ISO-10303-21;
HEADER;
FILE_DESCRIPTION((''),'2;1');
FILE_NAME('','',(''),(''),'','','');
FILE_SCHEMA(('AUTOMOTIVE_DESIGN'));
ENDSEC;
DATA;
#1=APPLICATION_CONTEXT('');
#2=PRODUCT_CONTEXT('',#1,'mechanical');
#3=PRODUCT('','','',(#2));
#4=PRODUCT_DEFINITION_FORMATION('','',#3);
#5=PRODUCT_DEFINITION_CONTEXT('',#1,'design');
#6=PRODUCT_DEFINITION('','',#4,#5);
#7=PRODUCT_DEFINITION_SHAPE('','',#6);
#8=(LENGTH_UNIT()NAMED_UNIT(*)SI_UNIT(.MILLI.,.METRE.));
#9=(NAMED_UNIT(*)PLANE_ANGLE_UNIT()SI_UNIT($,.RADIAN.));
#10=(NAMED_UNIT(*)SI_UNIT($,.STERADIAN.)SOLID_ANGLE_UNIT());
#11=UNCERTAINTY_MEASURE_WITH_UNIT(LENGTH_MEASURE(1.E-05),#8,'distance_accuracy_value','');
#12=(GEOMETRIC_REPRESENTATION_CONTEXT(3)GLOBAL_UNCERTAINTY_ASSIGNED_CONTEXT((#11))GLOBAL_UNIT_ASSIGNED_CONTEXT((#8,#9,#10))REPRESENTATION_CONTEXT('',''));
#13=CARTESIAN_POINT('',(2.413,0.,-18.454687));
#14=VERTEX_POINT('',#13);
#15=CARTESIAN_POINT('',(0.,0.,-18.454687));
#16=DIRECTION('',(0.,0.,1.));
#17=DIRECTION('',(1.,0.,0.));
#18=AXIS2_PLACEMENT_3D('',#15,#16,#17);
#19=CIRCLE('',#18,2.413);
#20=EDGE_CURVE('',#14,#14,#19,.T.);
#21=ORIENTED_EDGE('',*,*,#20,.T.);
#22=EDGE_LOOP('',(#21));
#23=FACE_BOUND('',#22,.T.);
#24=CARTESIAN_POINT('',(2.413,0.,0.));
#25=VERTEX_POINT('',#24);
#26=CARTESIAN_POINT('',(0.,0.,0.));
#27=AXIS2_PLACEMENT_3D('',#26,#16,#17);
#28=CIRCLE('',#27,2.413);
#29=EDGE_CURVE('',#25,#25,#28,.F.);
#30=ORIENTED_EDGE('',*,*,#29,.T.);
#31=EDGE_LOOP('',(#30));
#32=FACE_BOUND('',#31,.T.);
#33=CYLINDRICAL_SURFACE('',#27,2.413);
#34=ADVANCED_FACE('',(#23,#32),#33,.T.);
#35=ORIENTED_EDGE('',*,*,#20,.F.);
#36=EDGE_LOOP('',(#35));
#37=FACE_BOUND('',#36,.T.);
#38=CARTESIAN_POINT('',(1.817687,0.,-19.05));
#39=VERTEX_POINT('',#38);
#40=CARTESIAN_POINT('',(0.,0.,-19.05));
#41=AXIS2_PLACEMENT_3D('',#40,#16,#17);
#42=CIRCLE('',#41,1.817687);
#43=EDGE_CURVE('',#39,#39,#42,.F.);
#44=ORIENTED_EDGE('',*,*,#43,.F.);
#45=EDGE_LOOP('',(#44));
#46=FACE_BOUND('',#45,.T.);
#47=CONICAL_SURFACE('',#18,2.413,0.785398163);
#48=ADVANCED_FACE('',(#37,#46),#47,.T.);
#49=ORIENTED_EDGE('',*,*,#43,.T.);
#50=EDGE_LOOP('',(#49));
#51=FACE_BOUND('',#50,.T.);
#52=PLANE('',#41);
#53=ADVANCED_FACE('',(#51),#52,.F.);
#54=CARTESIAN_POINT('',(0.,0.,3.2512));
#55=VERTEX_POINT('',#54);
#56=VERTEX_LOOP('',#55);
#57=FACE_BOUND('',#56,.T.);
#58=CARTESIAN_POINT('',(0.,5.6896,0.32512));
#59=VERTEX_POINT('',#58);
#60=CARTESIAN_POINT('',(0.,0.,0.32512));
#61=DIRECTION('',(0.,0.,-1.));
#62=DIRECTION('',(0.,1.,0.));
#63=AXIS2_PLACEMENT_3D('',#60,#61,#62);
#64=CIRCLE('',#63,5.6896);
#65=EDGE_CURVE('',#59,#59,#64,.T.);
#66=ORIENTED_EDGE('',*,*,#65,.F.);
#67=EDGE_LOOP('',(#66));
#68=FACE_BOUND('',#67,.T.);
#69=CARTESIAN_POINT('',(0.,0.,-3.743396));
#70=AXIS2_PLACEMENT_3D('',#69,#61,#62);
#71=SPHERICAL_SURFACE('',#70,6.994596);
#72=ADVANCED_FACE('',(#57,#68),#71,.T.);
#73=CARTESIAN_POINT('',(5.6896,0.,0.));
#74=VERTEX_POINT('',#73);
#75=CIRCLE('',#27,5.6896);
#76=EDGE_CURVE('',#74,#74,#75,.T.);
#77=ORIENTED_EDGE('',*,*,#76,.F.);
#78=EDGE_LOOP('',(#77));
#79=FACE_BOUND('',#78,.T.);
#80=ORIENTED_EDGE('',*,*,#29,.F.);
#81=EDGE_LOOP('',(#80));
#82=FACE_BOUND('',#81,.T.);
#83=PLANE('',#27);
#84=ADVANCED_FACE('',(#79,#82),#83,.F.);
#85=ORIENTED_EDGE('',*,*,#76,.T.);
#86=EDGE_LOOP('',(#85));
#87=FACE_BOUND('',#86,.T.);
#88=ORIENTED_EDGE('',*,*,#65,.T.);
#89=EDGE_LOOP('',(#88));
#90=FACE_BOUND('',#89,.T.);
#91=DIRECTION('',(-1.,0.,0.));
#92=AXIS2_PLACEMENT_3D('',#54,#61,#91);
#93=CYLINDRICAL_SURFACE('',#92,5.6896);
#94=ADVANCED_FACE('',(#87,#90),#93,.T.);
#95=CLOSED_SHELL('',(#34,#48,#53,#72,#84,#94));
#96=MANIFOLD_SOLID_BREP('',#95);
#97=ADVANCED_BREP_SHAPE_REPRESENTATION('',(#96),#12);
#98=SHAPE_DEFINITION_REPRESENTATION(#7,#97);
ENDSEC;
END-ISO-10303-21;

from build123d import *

# Parameters (mm, degrees)
SKETCH1_R            = 5.6896
EXTRUDE3_DEPTH       = 3.2512
SKETCH4_W            = 19.05
SKETCH4_H            = 2.413
CHAMFER2_SIZE        = 0.5953125
EXTRUDE13_REACH      = 22.68
EXTRUDE13_END_RADIUS = 6.994595556
SKETCH26_R           = 0.5461


with BuildPart() as part:
    # Sketch1 → Extrude3 (new body)
    with BuildSketch(Plane.XY):
        Circle(SKETCH1_R)
    extrude(amount=EXTRUDE3_DEPTH)

    # Sketch11 → Cut-Revolve3 (revolve, cut)
    with BuildSketch(Plane(origin=(0, 0, 0), x_dir=(0, 0, -1), z_dir=(1, 0, 0))):
        with BuildLine():
            Line((-3.5052, 6.82752), (0, 6.82752))
            Line((0, 6.82752), (0, 5.6896))
            Line((0, 5.6896), (-0.32512, 5.6896))
            ThreePointArc((-0.32512, 5.6896), (-2.476812954, 3.198964376), (-3.2512, 0))
            Line((-3.2512, 0), (-3.5052, 0))
            Line((-3.5052, 0), (-3.5052, 6.82752))
        make_face()
    revolve(axis=Axis((0, 0, 0), (0, 0, 1)), mode=Mode.SUBTRACT)



with BuildPart() as body_2:
    # Sketch4 → Revolve1 (revolve)
    with BuildSketch(Plane(origin=(0, 0, 0), x_dir=(0, 0, -1), z_dir=(1, 0, 0))):
        with Locations((9.525, 1.2065)):
            Rectangle(SKETCH4_W, SKETCH4_H)
    revolve(axis=Axis((0, 0, 0), (0, 0, -1)))

    # Chamfer2
    chamfer2_edges = [body_2.edges().sort_by_distance(p)[0] for p in [
        (0, -2.413, -19.05),
    ]]
    chamfer(chamfer2_edges, length=CHAMFER2_SIZE)


with BuildPart() as part_1:
    add(part.part)

    add(body_2.part)  # Extrude13 merges body 2
    # Extrude13: up to this sphere (the profile starts inside it)
    extrude13_end = Location((0, 0, -3.743395556)) * Sphere(EXTRUDE13_END_RADIUS, mode=Mode.PRIVATE)
    # Sketch26 → Extrude13 (add, up to the surface)
    with BuildSketch(Plane.XY, mode=Mode.PRIVATE) as extrude13_sk1:
        Circle(SKETCH26_R)
    extrude13_tool1 = extrude(extrude13_sk1.sketch, amount=EXTRUDE13_REACH, mode=Mode.PRIVATE) & extrude13_end
    add(extrude13_tool1.solids().sort_by_distance((0, 0, 0))[0])


solid = part_1.part
